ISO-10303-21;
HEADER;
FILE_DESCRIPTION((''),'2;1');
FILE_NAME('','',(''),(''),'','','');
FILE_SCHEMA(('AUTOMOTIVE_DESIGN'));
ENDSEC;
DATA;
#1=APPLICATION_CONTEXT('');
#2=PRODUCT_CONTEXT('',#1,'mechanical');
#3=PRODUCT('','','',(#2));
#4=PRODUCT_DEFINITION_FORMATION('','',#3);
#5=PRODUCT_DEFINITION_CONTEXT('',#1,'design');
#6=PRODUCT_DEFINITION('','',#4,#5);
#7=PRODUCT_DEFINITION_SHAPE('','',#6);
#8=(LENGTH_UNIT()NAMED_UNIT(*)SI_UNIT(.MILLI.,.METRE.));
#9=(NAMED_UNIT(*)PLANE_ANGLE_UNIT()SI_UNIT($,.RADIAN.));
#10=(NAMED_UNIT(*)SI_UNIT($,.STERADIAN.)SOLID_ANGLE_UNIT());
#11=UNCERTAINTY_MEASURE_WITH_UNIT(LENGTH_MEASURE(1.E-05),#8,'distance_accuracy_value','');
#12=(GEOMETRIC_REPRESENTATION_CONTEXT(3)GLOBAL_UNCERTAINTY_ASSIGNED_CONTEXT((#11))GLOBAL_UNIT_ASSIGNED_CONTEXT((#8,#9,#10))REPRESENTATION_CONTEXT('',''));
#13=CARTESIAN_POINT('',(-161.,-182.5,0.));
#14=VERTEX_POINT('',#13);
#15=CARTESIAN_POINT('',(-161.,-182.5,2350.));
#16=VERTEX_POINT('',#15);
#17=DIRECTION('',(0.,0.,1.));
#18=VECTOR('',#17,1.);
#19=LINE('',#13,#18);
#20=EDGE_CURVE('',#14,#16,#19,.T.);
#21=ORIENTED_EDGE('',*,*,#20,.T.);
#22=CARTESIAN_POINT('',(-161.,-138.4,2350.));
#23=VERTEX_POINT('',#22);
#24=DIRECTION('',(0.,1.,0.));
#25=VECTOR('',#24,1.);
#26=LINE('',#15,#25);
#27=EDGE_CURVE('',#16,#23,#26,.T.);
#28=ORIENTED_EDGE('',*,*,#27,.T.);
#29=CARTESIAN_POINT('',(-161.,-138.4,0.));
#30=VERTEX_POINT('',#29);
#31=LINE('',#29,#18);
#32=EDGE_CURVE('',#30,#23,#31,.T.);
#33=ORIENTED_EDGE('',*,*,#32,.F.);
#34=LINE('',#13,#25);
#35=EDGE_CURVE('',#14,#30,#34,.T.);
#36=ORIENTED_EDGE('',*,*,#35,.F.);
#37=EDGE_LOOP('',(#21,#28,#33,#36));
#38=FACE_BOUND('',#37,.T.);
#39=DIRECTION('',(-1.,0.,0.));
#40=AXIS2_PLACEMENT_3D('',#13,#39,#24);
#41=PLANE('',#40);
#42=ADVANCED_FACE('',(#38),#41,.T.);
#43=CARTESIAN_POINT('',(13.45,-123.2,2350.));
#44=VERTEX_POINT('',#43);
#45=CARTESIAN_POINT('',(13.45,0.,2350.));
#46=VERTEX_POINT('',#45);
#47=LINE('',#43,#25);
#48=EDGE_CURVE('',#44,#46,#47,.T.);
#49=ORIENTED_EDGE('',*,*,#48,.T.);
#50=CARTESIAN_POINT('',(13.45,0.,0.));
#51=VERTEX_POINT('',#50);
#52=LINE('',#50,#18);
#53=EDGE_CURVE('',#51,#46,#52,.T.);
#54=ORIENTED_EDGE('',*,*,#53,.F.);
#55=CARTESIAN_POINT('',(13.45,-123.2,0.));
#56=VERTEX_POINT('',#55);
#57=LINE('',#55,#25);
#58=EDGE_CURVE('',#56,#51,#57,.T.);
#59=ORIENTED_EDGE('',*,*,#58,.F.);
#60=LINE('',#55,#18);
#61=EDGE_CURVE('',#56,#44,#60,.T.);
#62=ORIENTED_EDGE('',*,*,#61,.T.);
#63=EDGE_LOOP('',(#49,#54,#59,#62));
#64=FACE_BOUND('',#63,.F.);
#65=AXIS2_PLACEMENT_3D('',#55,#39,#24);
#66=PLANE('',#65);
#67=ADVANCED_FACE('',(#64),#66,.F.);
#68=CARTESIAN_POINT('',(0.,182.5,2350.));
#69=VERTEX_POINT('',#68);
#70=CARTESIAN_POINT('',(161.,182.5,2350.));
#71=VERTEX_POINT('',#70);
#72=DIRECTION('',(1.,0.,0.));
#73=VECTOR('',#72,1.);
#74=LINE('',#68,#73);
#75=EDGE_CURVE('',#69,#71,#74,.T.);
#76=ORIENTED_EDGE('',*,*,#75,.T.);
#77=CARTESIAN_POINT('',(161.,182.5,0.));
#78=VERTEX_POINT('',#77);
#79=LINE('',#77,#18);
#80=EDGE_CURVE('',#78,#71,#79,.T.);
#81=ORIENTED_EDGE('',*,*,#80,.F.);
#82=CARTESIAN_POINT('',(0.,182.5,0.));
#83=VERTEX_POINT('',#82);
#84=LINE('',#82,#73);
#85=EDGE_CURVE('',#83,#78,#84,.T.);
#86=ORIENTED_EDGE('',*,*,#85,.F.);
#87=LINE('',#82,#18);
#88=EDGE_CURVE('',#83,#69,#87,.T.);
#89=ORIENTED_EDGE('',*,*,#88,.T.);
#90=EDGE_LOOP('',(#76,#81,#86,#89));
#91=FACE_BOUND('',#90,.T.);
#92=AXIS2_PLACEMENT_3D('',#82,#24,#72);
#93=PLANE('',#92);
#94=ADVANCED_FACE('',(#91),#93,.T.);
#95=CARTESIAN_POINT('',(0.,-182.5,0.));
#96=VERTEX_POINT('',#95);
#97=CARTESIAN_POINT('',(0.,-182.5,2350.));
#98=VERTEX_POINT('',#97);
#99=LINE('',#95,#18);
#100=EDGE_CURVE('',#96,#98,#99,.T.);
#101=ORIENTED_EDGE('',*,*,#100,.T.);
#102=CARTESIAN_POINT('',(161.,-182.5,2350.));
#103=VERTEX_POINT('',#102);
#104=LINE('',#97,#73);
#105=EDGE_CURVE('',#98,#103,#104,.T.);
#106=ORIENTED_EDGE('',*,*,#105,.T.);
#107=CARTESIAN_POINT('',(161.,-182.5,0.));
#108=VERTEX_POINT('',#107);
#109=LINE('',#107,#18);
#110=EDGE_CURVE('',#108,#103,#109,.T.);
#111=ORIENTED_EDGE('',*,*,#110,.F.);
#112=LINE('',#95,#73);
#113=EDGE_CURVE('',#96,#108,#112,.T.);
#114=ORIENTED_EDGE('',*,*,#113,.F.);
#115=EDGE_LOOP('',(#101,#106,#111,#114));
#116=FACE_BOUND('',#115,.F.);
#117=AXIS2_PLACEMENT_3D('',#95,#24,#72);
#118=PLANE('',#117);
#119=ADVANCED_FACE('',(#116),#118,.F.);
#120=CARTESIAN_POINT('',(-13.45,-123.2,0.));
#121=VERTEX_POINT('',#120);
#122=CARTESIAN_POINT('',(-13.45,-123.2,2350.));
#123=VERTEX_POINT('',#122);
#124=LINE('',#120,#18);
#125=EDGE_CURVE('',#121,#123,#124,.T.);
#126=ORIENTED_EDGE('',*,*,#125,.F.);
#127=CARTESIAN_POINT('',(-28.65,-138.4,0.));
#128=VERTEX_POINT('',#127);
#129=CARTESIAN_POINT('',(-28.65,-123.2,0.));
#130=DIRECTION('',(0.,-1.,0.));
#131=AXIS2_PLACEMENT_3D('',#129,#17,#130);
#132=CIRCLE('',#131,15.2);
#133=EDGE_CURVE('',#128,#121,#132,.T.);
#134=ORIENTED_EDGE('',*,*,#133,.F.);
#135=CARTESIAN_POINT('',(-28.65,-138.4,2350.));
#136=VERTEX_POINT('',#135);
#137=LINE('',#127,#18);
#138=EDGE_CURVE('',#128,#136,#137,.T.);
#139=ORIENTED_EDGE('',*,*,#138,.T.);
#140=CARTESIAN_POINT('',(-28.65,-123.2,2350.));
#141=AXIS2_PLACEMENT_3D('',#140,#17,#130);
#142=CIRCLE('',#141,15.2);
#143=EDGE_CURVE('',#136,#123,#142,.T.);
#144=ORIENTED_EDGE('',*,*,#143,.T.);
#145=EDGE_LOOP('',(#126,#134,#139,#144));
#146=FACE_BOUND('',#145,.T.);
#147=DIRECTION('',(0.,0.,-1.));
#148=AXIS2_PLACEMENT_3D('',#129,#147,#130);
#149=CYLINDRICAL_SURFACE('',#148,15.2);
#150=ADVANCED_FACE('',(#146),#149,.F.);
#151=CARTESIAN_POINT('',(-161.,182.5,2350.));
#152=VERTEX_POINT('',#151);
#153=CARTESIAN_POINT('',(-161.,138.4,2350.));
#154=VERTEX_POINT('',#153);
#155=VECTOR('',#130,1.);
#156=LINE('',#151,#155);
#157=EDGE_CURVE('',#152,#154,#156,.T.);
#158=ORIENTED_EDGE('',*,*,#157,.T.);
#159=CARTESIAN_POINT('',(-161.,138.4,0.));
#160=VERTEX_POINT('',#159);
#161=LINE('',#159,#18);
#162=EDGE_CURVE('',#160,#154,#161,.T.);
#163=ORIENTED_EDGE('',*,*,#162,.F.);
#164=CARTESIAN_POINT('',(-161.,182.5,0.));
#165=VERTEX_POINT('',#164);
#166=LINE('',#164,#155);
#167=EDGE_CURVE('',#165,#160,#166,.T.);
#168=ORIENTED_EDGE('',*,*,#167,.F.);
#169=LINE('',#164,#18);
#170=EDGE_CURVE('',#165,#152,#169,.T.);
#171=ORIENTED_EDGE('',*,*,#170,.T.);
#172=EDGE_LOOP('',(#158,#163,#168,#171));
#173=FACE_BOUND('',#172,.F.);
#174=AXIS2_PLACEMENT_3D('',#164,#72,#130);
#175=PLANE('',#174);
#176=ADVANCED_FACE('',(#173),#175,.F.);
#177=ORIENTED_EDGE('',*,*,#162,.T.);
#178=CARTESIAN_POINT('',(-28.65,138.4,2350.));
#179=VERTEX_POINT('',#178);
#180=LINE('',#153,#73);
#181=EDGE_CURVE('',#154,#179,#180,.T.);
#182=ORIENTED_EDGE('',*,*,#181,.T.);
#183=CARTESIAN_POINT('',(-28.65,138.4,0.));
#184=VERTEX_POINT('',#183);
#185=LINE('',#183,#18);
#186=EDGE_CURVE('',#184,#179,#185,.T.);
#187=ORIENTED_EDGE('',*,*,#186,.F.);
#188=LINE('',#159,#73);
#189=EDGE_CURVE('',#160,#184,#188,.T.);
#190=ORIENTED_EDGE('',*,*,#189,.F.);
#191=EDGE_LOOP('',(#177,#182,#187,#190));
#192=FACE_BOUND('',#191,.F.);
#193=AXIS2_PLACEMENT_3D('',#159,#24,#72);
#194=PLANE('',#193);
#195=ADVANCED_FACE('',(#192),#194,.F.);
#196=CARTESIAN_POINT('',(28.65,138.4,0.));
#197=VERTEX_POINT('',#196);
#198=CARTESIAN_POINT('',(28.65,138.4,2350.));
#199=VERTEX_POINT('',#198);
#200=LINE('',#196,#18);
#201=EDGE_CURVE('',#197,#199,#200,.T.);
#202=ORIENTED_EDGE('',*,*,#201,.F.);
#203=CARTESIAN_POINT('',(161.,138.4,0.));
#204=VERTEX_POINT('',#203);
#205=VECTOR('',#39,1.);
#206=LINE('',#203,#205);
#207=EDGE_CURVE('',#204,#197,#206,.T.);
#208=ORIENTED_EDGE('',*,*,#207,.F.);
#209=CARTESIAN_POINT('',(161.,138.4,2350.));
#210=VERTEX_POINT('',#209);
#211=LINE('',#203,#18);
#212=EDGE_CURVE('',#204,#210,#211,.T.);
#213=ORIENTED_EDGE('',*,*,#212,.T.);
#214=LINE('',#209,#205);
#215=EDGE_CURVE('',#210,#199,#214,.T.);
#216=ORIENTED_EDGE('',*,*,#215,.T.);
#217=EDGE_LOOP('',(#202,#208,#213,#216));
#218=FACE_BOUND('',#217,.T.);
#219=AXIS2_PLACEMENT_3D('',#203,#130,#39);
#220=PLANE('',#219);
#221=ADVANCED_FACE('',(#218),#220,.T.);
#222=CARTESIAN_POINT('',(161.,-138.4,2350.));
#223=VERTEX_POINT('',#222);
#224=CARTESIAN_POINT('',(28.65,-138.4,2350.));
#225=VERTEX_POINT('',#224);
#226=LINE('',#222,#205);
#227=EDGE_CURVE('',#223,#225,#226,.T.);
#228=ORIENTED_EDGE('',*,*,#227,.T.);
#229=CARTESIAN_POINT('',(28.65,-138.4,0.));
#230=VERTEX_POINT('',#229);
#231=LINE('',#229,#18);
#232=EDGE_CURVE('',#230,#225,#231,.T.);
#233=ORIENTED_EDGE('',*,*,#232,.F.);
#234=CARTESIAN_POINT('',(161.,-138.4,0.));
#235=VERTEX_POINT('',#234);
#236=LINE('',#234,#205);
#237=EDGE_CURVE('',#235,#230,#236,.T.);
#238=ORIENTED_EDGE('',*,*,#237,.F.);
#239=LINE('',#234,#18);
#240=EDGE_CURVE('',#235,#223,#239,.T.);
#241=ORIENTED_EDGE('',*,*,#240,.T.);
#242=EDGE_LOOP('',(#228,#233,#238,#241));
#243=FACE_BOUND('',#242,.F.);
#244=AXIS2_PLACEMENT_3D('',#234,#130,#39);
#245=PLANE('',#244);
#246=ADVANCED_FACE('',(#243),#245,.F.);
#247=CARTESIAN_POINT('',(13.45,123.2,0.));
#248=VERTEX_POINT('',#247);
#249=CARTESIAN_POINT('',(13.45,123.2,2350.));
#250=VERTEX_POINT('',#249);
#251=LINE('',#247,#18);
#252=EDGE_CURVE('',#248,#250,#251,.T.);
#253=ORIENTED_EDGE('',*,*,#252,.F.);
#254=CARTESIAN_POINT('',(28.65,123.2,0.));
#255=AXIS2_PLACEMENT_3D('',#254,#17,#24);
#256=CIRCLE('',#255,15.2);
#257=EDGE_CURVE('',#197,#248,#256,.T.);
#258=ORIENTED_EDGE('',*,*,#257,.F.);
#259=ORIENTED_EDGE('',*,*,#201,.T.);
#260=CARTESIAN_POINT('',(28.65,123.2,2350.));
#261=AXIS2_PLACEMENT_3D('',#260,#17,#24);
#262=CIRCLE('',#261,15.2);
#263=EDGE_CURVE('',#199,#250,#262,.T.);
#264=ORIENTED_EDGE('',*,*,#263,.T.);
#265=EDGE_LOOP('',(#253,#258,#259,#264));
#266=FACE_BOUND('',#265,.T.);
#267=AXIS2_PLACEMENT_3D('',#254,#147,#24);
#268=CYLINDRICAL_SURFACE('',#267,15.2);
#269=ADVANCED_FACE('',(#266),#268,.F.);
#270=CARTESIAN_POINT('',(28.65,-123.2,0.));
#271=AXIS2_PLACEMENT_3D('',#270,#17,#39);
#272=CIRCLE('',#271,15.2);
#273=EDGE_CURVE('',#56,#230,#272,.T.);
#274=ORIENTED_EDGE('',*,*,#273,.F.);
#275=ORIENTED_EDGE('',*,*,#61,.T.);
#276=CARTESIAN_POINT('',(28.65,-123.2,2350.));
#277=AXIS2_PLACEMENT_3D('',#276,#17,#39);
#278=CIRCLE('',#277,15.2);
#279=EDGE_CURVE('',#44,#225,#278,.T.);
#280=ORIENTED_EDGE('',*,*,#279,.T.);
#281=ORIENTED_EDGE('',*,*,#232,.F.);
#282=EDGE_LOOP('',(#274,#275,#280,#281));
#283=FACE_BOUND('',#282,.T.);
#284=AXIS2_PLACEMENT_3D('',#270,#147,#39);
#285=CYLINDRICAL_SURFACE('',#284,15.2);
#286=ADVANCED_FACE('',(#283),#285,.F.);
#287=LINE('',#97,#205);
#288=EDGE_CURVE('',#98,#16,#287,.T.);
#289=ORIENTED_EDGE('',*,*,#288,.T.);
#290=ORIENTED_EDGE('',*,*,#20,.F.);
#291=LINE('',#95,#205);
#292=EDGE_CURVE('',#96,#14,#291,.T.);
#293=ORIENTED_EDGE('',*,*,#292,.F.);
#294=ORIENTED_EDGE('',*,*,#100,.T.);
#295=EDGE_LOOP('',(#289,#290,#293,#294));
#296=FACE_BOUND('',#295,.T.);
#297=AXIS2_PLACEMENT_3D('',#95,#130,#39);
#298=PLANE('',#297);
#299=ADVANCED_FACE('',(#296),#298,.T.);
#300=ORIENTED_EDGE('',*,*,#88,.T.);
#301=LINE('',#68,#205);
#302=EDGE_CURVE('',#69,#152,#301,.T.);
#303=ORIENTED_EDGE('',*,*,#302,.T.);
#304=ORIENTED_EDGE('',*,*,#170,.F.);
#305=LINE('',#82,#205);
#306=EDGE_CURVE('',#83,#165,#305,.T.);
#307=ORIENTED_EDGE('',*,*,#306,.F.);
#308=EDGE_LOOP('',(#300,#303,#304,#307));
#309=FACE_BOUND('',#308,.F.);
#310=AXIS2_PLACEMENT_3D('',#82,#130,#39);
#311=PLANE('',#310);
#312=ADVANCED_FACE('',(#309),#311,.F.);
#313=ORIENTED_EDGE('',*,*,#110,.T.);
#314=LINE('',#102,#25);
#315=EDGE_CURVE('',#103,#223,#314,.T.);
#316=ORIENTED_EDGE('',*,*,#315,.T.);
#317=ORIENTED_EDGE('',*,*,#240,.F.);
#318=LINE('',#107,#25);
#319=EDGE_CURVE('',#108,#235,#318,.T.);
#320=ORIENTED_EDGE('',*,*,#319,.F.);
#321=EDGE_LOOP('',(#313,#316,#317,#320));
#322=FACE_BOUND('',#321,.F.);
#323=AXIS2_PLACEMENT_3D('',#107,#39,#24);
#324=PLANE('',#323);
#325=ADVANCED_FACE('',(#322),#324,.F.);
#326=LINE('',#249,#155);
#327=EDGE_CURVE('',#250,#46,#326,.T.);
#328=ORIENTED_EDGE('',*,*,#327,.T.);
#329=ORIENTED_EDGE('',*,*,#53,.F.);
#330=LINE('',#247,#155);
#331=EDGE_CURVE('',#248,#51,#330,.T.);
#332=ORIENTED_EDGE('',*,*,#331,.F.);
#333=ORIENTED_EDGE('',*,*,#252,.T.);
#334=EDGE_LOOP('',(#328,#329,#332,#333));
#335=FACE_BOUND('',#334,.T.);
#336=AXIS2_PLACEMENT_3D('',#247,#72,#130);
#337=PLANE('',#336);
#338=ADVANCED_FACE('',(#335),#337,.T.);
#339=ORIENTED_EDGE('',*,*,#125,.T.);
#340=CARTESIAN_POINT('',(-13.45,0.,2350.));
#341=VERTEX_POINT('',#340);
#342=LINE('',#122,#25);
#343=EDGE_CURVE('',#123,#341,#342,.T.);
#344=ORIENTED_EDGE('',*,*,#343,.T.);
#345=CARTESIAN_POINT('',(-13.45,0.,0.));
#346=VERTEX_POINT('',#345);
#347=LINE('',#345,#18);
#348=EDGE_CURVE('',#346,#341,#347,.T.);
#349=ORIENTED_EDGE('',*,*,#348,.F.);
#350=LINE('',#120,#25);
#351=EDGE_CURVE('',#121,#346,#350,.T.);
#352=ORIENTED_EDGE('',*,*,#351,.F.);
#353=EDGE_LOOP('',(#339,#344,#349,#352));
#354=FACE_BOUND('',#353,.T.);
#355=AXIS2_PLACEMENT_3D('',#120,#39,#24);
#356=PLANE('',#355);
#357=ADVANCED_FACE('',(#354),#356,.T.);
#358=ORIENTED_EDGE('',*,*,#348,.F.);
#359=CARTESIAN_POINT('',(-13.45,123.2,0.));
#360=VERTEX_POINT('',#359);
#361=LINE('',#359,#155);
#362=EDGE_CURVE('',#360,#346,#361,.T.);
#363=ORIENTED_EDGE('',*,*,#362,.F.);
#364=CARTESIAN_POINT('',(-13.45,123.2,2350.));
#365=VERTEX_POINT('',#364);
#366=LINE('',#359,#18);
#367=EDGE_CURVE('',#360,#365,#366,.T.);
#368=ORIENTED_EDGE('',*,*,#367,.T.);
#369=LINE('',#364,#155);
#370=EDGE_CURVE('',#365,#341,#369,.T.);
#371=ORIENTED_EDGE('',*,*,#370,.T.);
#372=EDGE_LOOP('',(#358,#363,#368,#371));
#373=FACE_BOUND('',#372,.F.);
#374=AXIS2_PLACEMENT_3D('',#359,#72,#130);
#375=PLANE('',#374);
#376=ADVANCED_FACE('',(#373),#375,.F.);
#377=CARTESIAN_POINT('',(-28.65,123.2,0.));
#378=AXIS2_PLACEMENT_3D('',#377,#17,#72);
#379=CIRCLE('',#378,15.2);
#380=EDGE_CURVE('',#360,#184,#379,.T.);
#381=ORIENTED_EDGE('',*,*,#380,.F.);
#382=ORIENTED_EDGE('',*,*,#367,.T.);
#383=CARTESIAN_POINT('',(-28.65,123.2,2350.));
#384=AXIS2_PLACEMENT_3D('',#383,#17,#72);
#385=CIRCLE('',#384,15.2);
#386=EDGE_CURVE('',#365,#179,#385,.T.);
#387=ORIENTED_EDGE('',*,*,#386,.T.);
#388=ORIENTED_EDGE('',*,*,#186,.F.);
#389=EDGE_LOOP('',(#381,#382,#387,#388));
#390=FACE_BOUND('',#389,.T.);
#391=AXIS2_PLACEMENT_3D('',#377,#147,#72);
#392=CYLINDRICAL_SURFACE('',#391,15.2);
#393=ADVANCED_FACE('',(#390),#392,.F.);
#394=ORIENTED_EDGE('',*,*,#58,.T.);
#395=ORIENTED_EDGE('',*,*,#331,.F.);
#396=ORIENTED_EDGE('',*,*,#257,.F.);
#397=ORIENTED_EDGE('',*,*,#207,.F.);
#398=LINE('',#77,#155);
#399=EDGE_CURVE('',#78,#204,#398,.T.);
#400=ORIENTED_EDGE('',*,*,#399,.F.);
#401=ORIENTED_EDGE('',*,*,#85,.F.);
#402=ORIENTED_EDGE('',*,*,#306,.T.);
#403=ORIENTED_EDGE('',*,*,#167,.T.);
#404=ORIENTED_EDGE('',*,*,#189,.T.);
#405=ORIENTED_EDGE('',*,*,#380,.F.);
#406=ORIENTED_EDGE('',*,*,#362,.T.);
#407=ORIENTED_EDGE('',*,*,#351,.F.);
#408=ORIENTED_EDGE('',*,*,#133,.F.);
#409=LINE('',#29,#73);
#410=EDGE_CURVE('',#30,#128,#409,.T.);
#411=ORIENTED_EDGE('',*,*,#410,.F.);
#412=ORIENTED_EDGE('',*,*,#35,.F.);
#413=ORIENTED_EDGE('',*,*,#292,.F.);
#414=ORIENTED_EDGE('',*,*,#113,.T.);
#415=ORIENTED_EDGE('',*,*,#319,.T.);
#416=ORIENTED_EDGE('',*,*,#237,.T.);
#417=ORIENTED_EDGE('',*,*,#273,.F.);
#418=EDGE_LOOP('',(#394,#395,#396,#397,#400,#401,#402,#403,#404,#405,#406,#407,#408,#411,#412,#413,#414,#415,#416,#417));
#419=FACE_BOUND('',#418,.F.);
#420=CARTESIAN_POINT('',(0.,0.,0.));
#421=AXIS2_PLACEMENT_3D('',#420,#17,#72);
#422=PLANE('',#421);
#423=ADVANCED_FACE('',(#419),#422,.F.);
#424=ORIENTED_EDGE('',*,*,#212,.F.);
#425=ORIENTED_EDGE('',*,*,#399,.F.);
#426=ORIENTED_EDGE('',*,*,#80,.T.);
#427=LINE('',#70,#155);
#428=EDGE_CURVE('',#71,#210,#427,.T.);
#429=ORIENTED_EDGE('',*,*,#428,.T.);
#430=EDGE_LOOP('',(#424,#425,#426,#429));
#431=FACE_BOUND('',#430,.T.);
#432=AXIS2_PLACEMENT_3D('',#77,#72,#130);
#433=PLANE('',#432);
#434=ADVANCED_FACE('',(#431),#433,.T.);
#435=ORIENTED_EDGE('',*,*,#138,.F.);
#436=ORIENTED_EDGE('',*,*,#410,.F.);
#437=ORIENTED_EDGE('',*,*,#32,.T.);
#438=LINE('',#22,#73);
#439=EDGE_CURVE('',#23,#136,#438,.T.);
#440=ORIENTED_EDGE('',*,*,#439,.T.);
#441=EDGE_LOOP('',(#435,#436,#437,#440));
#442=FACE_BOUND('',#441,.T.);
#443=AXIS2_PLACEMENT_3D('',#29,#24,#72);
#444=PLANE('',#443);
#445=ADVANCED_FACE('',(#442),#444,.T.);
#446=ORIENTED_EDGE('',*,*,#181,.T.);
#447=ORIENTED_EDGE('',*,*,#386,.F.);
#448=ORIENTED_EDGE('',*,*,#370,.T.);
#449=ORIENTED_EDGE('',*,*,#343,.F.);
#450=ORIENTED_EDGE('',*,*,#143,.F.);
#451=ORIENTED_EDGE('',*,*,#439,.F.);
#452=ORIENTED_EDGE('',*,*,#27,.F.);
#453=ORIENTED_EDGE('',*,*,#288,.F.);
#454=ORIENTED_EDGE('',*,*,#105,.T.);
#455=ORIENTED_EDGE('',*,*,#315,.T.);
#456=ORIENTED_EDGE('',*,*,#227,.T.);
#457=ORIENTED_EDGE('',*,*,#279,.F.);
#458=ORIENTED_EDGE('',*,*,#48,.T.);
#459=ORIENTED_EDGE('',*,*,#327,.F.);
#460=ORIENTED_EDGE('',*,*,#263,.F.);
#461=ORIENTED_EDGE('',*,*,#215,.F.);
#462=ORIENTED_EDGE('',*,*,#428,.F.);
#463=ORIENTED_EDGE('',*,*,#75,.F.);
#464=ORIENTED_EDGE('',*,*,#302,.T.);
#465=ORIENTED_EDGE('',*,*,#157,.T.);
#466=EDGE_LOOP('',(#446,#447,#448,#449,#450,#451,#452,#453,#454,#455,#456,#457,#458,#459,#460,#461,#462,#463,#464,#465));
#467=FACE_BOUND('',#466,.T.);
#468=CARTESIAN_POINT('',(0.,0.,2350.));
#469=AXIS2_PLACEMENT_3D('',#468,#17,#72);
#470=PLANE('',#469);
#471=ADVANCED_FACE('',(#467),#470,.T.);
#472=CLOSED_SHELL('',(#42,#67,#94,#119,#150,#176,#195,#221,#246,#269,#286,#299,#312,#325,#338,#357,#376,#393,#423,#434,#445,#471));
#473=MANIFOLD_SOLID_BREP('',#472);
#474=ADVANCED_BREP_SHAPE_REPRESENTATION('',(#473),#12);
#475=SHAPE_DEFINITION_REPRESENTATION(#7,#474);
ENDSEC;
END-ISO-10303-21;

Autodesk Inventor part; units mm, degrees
ref_plane "YZ Plane" through (0, 0, 0) normal (1, 0, 0) x (0, 1, 0)
ref_plane "Start plane" through (0, 0, 0) normal (0, 0, 1) x (1, 0, 0)
ref_plane "End plane" through (0, 0, 2350) normal (0, 0, 1) x (1, 0, 0)
sketch "Sketch" plane through (0, 0, 0) normal (0, 0, 1) x (1, 0, 0)
  line L0 (-161, -182.5) -> (-161, -138.4)
  line L1 (-161, -138.4) -> (-28.65, -138.4)
  line L2 (-13.45, -123.2) -> (-13.45, 0)
  line L3 (-13.45, 0) -> (0, 0) construction
  line L4 (0, 0) -> (0, -182.5) construction
  line L5 (0, -182.5) -> (-161, -182.5)
  line L6 (-60, 0) -> (80, 0) construction
  line L7 (0, -60) -> (0, 80) construction
  line L8 (161, -182.5) -> (161, -138.4)
  line L9 (161, -138.4) -> (28.65, -138.4)
  line L10 (13.45, -123.2) -> (13.45, 0)
  line L11 (13.45, 0) -> (0, 0) construction
  line L12 (0, -182.5) -> (161, -182.5)
  line L13 (-161, 182.5) -> (-161, 138.4)
  line L14 (-161, 138.4) -> (-28.65, 138.4)
  line L15 (-13.45, 123.2) -> (-13.45, 0)
  line L16 (0, 182.5) -> (-161, 182.5)
  line L17 (161, 182.5) -> (161, 138.4)
  line L18 (161, 138.4) -> (28.65, 138.4)
  line L19 (0, 182.5) -> (161, 182.5)
  line L20 (13.45, 123.2) -> (13.45, 0)
  arc A0 (-13.45, 123.2) -> (-28.65, 138.4) centre (-28.65, 123.2) ccw
  arc A1 (28.65, 138.4) -> (13.45, 123.2) centre (28.65, 123.2) ccw
  arc A2 (13.45, -123.2) -> (28.65, -138.4) centre (28.65, -123.2) ccw
  arc A3 (-28.65, -138.4) -> (-13.45, -123.2) centre (-28.65, -123.2) ccw
  line L21 (0, 108) -> (0, -88) construction
  line L22 (-88, 0) -> (108, 0) construction
  point P0 (-13.45, -138.4)
  point P1 (13.45, -138.4)
  point P2 (-13.45, 138.4)
  point P3 (13.45, 138.4)
  dimension "d1" = 182.5
  dimension "d2" = 44.1
  dimension "d3" = 161
  dimension "d4" = 13.45
  dimension "d10" = 15.2
extrude "Body" add sketch "Sketch" along normal up to surface (2350 mm away) from surface at 0
sketch "Sketch4" plane through (0, 0, 0) normal (0, 0, 1) x (1, 0, 0)
  line L0 (0, 0) -> (10, 0)
ref_plane "Work Plane3" through (0, 0, 0) normal (0, -1, 0) x (1, 0, 0)
sketch "Sketch5" plane through (0, 0, 0) normal (0, -1, 0) x (1, 0, 0)
  line L0 (-2, 0) -> (12, 0) projected
  line L1 (-2, 2350) -> (12, 2350) projected
  dimension "d14" = 2350
equation "\"d1\" = 0.5 * G_H"
equation "\"d2\" = G_T1"
equation "\"d3\" = 0.5 * G_W"
equation "\"d4\" = 0.5 * G_T"
equation "\"d10\" = G_IR"
equation "\"d5\" = G_L"
equation "\"G_W\" = 322"
equation "\"G_H\" = 365"
equation "\"G_T\" = 26.9"
equation "\"G_T1\" = 44.1"
equation "\"G_IR\" = 15.2"
equation "\"G_L\" = d14"
equation "\"G_OFFSET_START\" = 0"
equation "\"G_OFFSET_END\" = 0"
properties part number "AS 3679 - 310 UC - 283 - 2350" material "Steel, Mild"
